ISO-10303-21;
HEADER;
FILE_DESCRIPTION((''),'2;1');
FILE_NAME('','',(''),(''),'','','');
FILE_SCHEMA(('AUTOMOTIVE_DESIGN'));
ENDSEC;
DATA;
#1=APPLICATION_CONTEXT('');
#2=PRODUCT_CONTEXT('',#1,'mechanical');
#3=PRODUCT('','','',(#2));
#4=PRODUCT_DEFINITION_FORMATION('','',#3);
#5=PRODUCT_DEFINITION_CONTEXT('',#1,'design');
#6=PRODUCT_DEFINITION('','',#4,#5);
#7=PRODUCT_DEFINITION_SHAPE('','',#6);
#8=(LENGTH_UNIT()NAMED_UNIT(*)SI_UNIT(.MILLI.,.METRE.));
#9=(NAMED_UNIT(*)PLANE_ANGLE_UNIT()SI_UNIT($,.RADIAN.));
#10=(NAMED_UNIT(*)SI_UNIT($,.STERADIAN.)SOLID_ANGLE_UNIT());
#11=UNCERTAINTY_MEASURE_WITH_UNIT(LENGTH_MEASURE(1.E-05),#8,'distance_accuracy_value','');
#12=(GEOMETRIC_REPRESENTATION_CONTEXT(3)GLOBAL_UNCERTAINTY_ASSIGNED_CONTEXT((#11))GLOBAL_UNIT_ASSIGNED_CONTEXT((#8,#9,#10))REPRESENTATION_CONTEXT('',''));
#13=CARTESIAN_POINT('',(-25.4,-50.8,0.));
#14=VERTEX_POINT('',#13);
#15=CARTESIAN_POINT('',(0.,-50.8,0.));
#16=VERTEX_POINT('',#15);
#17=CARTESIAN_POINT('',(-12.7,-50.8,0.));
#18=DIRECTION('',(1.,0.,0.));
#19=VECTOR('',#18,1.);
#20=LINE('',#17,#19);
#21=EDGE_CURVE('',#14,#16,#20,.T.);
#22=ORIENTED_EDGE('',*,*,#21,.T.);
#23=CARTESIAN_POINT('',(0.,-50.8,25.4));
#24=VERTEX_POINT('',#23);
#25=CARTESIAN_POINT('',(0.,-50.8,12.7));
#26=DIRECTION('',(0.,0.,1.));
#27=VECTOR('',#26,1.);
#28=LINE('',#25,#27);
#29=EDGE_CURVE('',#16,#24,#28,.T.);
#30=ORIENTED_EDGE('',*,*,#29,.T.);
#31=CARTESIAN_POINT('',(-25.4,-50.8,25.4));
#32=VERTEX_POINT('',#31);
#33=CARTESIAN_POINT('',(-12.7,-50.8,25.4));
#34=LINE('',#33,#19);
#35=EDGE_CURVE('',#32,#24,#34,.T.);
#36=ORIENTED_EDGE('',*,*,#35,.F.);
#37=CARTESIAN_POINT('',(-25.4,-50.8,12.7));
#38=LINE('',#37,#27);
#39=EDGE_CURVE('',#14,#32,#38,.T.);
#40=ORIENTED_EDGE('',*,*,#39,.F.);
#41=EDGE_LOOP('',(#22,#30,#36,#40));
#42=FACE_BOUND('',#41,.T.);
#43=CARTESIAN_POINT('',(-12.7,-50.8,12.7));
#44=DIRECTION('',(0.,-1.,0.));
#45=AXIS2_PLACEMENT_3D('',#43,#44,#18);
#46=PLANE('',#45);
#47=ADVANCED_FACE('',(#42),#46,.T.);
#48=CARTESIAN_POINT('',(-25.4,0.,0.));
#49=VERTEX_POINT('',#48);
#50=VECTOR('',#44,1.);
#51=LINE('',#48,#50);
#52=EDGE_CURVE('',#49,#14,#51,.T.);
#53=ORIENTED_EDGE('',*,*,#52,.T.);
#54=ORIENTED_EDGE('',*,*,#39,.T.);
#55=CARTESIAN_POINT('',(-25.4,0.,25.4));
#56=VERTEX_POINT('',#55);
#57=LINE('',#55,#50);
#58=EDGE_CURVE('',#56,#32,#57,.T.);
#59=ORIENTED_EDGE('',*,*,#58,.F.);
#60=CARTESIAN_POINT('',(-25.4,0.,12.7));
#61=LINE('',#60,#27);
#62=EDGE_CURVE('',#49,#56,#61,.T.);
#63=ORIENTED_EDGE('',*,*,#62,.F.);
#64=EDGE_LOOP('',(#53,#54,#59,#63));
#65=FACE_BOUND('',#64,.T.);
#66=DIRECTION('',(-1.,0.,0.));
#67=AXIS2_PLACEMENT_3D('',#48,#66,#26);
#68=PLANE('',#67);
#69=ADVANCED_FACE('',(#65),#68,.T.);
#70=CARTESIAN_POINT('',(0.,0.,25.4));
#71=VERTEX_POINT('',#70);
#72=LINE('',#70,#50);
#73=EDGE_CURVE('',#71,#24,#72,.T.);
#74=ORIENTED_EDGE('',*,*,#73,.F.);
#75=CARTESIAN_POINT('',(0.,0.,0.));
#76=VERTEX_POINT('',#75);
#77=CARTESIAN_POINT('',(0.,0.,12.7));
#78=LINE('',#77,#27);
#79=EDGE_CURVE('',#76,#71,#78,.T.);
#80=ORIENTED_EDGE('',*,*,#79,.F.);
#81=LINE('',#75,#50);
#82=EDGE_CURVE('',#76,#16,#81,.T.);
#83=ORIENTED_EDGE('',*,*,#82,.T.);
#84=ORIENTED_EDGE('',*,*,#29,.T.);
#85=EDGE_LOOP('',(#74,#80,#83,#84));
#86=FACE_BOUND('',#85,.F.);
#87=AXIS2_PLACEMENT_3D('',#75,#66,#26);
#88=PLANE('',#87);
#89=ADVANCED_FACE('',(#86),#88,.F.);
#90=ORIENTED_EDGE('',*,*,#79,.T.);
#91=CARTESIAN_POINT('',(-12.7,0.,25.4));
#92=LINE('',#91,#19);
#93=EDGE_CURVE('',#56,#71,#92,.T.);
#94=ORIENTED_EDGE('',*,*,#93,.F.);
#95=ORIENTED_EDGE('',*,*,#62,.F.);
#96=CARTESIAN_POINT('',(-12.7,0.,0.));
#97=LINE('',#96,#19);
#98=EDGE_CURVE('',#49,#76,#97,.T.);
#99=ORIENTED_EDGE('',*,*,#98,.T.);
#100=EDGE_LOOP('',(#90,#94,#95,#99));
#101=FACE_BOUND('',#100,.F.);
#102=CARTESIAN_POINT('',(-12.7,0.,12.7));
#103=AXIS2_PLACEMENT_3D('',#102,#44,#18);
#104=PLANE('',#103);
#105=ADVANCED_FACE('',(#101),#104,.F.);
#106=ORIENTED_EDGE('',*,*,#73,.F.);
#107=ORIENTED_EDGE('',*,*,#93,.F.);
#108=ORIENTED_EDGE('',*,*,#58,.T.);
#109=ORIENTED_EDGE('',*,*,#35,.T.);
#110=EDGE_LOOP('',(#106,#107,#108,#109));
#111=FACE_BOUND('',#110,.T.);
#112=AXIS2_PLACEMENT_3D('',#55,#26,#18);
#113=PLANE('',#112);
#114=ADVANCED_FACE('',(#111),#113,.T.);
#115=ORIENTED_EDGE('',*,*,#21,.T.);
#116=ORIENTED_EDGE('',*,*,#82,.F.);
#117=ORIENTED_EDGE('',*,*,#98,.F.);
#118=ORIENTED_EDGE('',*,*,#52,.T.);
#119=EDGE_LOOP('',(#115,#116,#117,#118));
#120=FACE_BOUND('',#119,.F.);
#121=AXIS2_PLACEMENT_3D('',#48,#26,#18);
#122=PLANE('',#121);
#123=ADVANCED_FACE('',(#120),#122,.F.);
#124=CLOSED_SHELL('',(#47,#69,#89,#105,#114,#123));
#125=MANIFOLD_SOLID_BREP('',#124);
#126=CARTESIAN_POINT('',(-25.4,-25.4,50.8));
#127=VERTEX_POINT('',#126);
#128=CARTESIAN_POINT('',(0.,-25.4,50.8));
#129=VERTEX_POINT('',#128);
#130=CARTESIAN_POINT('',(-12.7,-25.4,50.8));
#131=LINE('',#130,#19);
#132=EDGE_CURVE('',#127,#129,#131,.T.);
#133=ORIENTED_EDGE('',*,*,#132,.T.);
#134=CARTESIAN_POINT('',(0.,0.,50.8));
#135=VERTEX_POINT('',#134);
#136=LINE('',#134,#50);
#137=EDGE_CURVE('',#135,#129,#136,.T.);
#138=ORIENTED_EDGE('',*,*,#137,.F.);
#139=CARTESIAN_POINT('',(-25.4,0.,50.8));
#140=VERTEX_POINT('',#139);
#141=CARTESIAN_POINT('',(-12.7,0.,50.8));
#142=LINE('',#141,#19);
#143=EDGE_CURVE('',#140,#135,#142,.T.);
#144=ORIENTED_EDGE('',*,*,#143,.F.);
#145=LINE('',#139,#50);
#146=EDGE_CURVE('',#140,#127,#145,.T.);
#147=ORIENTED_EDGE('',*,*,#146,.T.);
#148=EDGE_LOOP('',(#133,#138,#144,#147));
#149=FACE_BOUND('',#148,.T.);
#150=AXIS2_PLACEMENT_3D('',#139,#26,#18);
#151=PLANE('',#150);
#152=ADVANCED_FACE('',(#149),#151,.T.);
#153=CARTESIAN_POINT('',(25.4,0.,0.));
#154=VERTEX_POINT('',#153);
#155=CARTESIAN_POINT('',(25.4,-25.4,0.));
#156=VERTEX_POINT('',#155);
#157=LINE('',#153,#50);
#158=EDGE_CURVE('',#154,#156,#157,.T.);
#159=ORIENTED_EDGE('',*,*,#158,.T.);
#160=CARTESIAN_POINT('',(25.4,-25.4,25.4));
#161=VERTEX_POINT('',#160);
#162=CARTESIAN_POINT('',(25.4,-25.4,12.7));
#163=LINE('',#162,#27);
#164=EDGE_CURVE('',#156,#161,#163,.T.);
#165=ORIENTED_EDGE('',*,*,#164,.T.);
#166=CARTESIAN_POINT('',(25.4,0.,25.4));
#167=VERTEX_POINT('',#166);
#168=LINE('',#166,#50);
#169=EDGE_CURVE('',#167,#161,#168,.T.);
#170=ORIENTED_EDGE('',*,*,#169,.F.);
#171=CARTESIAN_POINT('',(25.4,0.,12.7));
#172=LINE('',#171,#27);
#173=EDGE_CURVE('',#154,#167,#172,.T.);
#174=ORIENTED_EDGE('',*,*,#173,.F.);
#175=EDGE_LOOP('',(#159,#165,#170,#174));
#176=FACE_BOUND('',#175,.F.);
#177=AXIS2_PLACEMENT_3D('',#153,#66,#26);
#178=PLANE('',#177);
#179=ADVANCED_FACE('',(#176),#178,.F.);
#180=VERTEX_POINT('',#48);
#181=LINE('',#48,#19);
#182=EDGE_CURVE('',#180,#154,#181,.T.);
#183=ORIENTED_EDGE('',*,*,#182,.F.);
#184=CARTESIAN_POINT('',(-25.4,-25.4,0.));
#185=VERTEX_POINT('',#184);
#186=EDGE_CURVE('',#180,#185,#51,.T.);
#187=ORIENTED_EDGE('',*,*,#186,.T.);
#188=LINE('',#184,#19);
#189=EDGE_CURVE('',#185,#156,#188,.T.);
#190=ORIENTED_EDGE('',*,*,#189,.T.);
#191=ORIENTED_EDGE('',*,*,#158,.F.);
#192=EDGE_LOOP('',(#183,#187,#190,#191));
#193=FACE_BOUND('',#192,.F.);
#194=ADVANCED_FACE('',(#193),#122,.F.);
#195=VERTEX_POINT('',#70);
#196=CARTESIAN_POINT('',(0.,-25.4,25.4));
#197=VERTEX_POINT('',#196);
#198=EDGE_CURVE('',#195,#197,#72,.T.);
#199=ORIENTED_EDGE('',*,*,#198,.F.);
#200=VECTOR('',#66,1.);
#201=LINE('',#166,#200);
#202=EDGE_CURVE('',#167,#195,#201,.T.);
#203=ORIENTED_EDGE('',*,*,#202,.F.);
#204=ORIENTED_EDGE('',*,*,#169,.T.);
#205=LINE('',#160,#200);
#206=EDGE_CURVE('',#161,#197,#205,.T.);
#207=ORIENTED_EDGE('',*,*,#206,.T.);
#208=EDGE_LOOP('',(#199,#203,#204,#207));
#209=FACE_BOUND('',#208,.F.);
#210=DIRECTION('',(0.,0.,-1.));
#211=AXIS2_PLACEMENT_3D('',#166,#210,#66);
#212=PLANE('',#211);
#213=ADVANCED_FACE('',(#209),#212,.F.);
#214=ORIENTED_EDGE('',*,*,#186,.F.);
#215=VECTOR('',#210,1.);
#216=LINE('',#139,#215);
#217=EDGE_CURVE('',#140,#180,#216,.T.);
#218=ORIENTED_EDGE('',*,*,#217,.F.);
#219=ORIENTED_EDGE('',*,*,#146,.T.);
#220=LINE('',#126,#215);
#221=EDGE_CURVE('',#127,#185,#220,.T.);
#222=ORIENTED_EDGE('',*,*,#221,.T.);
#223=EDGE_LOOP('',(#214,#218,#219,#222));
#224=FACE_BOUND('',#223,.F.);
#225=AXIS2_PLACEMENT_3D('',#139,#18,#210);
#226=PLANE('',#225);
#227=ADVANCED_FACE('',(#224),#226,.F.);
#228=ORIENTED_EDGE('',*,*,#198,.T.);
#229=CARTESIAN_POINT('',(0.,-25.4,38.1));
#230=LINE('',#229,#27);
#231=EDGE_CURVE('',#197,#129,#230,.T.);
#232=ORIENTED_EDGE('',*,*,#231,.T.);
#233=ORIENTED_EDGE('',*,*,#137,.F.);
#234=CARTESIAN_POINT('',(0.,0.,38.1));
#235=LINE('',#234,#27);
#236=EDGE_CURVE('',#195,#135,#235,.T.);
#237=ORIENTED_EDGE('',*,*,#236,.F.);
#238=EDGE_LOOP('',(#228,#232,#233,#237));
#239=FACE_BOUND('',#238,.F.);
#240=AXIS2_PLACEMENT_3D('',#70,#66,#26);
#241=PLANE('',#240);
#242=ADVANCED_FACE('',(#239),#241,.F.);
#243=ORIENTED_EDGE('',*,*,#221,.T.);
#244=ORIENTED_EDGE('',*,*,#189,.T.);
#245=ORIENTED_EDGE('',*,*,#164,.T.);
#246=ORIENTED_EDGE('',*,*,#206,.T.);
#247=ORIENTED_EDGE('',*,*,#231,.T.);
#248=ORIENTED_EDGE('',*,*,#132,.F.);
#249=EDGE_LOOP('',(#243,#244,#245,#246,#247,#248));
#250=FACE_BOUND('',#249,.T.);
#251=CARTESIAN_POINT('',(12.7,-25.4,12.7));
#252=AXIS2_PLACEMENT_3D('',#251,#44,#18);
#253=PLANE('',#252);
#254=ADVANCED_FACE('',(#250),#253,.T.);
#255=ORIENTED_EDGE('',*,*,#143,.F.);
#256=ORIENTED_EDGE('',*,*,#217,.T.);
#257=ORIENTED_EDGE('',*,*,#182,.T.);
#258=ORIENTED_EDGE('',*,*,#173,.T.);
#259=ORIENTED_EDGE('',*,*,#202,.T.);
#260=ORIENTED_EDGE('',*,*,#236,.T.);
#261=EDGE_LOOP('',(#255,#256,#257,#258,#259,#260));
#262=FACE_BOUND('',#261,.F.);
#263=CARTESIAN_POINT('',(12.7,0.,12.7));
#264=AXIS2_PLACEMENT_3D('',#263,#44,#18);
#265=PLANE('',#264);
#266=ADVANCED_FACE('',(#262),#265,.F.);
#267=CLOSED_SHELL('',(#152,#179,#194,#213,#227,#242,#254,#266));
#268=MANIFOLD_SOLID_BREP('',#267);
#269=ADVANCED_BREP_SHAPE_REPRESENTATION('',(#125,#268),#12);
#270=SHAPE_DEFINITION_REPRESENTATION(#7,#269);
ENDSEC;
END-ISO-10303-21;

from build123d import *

# Parameters (mm, degrees)
F0_W     = 25.4
F0_H     = 25.4
F1_DEPTH = 50.8
F2_DEPTH = 25.4


with BuildPart() as f1:
    # F0 (on Front) → F1 (new body)
    with BuildSketch(Plane.XZ):
        with Locations((-12.7, 12.7)):
            Rectangle(F0_W, F0_H)
    extrude(amount=F1_DEPTH)


with BuildPart() as f2:
    # F0 (on Front) → F2 (new body)
    with BuildSketch(Plane.XZ):
        with Locations((12.7, 12.7)):
            Rectangle(F0_W, F0_H)
        with Locations((-12.7, 12.7)):
            Rectangle(F0_W, F0_H)
        with Locations((-12.7, 38.1)):
            Rectangle(F0_W, F0_H)
    extrude(amount=F2_DEPTH)


solid = Compound([f1.part, f2.part])
